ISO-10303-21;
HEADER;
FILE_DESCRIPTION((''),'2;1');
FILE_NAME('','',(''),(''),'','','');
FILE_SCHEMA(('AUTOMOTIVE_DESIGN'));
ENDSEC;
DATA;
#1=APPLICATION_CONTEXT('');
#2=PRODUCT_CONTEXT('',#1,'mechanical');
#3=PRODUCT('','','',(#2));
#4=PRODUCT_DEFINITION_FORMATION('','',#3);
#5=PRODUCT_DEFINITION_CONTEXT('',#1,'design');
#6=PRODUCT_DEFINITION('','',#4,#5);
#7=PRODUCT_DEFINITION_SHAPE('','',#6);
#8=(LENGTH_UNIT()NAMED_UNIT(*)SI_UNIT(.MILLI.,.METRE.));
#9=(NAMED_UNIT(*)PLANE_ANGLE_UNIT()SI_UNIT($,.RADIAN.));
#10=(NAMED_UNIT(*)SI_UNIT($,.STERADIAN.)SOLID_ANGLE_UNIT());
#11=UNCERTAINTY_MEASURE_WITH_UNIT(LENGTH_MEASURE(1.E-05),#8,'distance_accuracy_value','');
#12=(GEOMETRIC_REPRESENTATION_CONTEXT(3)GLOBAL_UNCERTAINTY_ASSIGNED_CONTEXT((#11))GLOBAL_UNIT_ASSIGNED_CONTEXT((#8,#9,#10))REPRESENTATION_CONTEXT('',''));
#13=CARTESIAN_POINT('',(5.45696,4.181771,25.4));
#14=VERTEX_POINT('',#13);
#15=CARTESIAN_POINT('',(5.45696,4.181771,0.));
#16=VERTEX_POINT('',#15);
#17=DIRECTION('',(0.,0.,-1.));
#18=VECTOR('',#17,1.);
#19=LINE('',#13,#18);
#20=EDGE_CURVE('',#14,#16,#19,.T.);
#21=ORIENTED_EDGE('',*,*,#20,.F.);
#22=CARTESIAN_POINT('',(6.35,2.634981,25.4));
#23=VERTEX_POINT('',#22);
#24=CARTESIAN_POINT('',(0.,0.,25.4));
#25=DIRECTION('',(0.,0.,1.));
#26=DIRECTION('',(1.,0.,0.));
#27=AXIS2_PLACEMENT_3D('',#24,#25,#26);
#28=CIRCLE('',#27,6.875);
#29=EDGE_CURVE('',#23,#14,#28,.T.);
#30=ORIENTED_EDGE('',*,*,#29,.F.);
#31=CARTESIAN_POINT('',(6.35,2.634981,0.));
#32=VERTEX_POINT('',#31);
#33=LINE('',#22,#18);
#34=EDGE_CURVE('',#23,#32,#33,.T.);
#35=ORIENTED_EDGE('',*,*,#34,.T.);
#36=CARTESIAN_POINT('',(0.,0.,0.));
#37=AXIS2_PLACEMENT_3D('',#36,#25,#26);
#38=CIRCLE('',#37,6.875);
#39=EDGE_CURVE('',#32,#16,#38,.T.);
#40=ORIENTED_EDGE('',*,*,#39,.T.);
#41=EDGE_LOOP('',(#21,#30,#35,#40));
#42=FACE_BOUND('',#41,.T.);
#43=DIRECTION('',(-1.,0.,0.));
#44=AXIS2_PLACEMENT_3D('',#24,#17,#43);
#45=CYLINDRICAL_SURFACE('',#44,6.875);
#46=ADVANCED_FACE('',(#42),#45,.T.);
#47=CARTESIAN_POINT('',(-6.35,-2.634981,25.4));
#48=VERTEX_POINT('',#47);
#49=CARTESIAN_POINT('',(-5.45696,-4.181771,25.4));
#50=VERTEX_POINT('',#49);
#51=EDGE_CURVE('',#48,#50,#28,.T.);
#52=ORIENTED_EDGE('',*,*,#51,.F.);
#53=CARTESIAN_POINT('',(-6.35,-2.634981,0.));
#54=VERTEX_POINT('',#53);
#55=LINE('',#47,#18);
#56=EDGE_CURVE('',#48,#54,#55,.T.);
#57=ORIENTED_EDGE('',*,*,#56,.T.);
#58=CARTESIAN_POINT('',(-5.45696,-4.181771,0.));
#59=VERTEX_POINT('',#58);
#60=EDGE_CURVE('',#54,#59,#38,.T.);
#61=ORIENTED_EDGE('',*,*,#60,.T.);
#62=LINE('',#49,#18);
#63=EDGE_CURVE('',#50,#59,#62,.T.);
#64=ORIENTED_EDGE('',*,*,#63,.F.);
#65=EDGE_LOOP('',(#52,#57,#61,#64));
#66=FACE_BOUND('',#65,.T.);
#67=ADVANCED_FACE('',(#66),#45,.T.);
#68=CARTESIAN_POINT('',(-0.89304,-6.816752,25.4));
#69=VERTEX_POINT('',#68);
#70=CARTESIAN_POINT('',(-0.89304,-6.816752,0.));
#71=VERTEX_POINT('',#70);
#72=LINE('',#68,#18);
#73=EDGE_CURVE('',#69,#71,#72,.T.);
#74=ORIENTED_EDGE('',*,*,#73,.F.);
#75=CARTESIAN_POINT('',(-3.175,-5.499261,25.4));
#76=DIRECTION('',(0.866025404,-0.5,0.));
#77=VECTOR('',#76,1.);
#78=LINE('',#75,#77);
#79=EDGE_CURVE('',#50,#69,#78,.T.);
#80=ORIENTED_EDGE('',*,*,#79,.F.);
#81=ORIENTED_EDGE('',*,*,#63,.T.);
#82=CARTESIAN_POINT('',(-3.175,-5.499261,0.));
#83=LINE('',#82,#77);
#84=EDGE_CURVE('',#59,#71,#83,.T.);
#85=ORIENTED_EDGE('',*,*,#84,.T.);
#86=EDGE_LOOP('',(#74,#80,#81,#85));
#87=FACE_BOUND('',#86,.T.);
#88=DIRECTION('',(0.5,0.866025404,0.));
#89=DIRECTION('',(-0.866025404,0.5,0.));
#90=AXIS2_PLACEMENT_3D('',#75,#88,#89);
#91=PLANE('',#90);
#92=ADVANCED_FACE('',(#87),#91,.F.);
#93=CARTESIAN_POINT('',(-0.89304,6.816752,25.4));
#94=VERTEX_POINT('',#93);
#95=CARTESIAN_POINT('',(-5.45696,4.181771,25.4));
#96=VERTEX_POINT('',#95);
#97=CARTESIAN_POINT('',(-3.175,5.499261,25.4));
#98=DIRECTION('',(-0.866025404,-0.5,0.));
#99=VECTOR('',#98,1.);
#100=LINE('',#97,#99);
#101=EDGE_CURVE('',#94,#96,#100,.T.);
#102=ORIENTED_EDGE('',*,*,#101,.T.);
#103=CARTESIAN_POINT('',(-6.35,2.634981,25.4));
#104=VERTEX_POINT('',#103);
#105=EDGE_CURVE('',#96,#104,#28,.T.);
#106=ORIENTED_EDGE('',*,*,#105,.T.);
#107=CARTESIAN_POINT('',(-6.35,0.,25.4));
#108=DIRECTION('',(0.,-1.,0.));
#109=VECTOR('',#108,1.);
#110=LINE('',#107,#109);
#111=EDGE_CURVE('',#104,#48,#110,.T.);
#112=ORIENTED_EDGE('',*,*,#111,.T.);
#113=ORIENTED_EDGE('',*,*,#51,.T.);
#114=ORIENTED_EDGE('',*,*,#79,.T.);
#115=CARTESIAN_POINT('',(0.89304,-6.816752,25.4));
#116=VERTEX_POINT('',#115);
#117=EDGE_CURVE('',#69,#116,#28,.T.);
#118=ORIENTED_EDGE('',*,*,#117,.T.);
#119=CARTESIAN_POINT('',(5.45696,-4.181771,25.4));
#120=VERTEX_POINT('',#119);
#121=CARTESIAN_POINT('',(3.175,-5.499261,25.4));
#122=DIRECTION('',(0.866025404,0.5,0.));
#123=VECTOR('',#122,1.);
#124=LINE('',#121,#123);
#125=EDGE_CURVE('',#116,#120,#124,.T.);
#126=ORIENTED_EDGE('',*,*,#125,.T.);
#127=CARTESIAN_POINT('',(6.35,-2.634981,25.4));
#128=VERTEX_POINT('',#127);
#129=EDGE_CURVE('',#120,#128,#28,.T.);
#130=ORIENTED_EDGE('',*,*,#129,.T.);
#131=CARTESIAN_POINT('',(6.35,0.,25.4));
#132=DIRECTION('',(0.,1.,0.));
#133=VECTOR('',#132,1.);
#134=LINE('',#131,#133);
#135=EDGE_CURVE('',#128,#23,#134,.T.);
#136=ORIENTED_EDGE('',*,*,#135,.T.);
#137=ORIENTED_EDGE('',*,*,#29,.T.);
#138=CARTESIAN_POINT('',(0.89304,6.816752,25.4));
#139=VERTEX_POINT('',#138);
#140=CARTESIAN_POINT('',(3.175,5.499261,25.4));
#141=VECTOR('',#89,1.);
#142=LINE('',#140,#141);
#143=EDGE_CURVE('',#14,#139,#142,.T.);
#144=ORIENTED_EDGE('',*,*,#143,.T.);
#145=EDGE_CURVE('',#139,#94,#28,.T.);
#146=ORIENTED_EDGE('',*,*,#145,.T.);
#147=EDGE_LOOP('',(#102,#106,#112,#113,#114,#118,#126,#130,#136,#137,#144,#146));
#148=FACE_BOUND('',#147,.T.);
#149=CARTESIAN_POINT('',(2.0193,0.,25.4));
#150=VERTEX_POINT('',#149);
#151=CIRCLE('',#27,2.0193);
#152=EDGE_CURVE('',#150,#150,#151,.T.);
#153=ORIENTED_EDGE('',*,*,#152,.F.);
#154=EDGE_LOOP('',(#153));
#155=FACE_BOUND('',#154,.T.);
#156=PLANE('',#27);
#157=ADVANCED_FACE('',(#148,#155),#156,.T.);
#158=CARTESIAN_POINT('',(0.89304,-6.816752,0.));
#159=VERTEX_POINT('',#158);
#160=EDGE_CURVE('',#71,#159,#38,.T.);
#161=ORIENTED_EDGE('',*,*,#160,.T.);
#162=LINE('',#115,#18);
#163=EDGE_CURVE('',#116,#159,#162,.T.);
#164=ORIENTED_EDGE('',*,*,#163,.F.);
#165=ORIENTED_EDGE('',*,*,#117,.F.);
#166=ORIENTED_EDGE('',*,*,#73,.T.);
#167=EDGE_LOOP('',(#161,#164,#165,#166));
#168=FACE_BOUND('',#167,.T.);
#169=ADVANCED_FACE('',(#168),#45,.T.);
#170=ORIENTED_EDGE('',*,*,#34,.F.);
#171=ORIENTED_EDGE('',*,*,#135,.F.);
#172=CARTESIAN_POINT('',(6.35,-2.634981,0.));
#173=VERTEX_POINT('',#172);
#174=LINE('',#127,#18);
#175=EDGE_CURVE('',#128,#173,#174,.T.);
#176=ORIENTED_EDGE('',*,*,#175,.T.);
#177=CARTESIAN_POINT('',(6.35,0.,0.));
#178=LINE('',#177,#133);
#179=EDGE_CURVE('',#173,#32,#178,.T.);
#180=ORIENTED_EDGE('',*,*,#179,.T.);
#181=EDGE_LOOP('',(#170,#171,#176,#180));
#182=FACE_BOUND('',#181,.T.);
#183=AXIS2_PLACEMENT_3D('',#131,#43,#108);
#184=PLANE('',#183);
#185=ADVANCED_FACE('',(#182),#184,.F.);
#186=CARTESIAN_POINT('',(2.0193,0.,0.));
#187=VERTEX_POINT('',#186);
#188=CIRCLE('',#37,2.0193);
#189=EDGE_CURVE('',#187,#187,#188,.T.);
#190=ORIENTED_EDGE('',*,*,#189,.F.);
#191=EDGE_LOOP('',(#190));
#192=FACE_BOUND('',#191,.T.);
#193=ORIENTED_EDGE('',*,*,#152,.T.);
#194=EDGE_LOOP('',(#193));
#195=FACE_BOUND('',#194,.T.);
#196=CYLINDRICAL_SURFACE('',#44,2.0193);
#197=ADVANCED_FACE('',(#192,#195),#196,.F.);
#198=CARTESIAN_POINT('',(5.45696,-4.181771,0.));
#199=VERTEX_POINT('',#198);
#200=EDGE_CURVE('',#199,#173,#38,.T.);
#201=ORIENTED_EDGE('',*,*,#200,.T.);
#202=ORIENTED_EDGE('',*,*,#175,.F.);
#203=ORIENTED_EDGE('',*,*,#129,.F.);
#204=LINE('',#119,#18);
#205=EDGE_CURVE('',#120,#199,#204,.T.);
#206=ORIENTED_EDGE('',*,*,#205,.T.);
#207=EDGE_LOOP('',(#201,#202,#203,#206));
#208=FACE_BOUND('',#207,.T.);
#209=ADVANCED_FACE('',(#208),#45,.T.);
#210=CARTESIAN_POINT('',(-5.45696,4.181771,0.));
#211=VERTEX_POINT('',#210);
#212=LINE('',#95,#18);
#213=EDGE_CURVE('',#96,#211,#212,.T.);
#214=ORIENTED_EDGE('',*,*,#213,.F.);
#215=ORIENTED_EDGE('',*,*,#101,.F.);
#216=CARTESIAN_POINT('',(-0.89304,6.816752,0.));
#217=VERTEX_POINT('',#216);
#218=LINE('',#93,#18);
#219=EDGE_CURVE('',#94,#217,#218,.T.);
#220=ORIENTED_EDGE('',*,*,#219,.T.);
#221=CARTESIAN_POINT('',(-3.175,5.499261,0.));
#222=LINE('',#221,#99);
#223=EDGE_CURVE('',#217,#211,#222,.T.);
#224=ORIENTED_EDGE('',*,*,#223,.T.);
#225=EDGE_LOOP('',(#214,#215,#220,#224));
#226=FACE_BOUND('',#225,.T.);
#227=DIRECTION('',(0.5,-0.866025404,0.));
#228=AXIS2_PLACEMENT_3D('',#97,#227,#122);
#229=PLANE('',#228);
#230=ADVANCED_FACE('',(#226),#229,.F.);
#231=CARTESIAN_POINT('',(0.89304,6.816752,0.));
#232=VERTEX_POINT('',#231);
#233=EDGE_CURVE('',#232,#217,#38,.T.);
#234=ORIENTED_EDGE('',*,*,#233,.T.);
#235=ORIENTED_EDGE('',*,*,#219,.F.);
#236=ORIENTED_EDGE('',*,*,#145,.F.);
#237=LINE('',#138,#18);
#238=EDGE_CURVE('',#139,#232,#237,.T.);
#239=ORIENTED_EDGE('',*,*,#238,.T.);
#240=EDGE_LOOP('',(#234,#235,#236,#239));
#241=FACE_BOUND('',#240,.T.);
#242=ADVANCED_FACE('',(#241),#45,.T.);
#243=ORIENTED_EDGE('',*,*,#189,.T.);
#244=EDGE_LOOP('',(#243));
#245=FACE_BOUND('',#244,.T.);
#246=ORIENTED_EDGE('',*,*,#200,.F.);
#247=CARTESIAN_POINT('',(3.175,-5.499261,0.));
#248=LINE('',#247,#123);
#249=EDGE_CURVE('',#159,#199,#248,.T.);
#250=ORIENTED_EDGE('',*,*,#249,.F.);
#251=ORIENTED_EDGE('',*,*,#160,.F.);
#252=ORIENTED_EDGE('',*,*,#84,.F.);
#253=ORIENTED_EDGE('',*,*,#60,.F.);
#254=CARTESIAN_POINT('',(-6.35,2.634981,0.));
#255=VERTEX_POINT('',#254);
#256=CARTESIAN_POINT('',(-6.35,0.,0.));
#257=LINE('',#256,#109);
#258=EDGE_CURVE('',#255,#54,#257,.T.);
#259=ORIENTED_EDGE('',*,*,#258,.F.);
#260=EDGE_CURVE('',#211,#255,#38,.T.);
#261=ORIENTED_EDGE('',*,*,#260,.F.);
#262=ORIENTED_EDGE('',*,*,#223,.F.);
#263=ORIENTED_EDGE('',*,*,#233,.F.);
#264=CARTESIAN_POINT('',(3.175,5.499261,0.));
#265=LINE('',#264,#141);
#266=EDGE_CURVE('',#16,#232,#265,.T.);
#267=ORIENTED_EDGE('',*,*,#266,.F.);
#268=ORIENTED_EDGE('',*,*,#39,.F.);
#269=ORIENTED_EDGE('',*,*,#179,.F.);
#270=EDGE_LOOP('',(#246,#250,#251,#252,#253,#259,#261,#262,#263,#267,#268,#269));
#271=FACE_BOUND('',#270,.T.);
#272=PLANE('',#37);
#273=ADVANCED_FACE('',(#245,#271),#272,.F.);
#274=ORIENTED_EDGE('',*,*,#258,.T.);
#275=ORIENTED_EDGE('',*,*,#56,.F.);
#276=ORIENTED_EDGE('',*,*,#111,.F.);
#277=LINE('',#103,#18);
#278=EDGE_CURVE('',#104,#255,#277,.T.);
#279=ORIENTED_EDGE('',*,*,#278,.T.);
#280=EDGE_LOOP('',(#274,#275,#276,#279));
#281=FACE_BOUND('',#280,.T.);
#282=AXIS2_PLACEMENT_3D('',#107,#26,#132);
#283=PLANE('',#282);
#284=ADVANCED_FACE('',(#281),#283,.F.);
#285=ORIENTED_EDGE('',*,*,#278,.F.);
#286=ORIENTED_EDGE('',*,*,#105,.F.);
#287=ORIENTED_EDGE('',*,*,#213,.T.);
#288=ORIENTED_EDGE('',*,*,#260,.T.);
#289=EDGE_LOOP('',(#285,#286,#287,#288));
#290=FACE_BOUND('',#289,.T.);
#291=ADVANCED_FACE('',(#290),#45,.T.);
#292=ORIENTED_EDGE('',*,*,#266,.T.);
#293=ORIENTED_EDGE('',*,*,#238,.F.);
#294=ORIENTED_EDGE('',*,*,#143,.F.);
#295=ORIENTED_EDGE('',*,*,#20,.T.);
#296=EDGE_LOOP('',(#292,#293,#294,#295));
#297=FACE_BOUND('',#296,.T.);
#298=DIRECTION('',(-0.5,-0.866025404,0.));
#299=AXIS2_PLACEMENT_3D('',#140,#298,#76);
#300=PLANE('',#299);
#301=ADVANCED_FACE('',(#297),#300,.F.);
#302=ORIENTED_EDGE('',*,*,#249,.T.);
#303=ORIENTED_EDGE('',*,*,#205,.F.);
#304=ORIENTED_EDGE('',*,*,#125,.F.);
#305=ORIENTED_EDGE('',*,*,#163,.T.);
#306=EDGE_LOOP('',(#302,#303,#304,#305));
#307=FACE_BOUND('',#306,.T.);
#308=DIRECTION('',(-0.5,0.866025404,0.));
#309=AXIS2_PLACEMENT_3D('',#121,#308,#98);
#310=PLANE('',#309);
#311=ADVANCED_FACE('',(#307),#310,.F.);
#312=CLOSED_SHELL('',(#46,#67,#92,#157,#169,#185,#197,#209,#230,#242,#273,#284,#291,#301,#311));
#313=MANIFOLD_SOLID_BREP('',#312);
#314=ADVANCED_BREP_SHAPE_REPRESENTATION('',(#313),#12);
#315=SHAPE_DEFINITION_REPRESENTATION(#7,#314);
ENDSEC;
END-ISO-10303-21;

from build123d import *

# Parameters (mm, degrees)
SKETCH1_R                            = 2.0193
BOSS_EXTRUDE1_DEPTH                  = 25.4
F_10_32_TAPPED_HOLE1_D               = 4.0386
F_10_32_TAPPED_HOLE1_DEPTH           = 12.02944
F_10_32_TAPPED_HOLE1_TIP             = 1.213317848
F_10_32_TAPPED_HOLE1_ON_FACE_2_D     = 4.0386
F_10_32_TAPPED_HOLE1_ON_FACE_2_DEPTH = 12.02944
F_10_32_TAPPED_HOLE1_ON_FACE_2_TIP   = 1.213317848


with BuildPart() as part:
    # Sketch1 → Boss-Extrude1 (new body)
    with BuildSketch(Plane.XY):
        with BuildLine():
            ThreePointArc((0.893039571, 6.816751782), (0, 6.874999966), (-0.893039571, 6.816751782))
            Line((-0.893039571, 6.816751782), (-5.456960429, 4.181770846))
            ThreePointArc((-5.456960429, 4.181770846), (-5.953924622, 3.437499983), (-6.35, 2.634980936))
            Line((-6.35, 2.634980936), (-6.35, -2.634980936))
            ThreePointArc((-6.35, -2.634980936), (-5.953924622, -3.437499983), (-5.456960429, -4.181770846))
            Line((-5.456960429, -4.181770846), (-0.893039571, -6.816751782))
            ThreePointArc((-0.893039571, -6.816751782), (0, -6.874999966), (0.893039571, -6.816751782))
            Line((0.893039571, -6.816751782), (5.456960429, -4.181770846))
            ThreePointArc((5.456960429, -4.181770846), (5.953924622, -3.437499983), (6.35, -2.634980936))
            Line((6.35, -2.634980936), (6.35, 2.634980936))
            ThreePointArc((6.35, 2.634980936), (5.953924622, 3.437499983), (5.456960429, 4.181770846))
            Line((5.456960429, 4.181770846), (0.893039571, 6.816751782))
        make_face()
        Circle(SKETCH1_R, mode=Mode.SUBTRACT)
    extrude(amount=BOSS_EXTRUDE1_DEPTH)

    # #10-32 Tapped Hole1
    with Locations(Plane.XY.offset(25.4)):
        with Locations((0, 0)):
            Hole(F_10_32_TAPPED_HOLE1_D / 2, depth=F_10_32_TAPPED_HOLE1_DEPTH)
            with Locations((0, 0, -(F_10_32_TAPPED_HOLE1_DEPTH + F_10_32_TAPPED_HOLE1_TIP / 2))):  # 118° drill point
                Cone(0, F_10_32_TAPPED_HOLE1_D / 2, F_10_32_TAPPED_HOLE1_TIP, mode=Mode.SUBTRACT)

    # #10-32 Tapped Hole1 on face 2
    with Locations(Plane.XY):
        with Locations((0, 0)):
            Hole(F_10_32_TAPPED_HOLE1_ON_FACE_2_D / 2, depth=F_10_32_TAPPED_HOLE1_ON_FACE_2_DEPTH)
            with Locations((0, 0, -(F_10_32_TAPPED_HOLE1_ON_FACE_2_DEPTH + F_10_32_TAPPED_HOLE1_ON_FACE_2_TIP / 2))):  # 118° drill point
                Cone(0, F_10_32_TAPPED_HOLE1_ON_FACE_2_D / 2, F_10_32_TAPPED_HOLE1_ON_FACE_2_TIP, mode=Mode.SUBTRACT)


solid = part.part
